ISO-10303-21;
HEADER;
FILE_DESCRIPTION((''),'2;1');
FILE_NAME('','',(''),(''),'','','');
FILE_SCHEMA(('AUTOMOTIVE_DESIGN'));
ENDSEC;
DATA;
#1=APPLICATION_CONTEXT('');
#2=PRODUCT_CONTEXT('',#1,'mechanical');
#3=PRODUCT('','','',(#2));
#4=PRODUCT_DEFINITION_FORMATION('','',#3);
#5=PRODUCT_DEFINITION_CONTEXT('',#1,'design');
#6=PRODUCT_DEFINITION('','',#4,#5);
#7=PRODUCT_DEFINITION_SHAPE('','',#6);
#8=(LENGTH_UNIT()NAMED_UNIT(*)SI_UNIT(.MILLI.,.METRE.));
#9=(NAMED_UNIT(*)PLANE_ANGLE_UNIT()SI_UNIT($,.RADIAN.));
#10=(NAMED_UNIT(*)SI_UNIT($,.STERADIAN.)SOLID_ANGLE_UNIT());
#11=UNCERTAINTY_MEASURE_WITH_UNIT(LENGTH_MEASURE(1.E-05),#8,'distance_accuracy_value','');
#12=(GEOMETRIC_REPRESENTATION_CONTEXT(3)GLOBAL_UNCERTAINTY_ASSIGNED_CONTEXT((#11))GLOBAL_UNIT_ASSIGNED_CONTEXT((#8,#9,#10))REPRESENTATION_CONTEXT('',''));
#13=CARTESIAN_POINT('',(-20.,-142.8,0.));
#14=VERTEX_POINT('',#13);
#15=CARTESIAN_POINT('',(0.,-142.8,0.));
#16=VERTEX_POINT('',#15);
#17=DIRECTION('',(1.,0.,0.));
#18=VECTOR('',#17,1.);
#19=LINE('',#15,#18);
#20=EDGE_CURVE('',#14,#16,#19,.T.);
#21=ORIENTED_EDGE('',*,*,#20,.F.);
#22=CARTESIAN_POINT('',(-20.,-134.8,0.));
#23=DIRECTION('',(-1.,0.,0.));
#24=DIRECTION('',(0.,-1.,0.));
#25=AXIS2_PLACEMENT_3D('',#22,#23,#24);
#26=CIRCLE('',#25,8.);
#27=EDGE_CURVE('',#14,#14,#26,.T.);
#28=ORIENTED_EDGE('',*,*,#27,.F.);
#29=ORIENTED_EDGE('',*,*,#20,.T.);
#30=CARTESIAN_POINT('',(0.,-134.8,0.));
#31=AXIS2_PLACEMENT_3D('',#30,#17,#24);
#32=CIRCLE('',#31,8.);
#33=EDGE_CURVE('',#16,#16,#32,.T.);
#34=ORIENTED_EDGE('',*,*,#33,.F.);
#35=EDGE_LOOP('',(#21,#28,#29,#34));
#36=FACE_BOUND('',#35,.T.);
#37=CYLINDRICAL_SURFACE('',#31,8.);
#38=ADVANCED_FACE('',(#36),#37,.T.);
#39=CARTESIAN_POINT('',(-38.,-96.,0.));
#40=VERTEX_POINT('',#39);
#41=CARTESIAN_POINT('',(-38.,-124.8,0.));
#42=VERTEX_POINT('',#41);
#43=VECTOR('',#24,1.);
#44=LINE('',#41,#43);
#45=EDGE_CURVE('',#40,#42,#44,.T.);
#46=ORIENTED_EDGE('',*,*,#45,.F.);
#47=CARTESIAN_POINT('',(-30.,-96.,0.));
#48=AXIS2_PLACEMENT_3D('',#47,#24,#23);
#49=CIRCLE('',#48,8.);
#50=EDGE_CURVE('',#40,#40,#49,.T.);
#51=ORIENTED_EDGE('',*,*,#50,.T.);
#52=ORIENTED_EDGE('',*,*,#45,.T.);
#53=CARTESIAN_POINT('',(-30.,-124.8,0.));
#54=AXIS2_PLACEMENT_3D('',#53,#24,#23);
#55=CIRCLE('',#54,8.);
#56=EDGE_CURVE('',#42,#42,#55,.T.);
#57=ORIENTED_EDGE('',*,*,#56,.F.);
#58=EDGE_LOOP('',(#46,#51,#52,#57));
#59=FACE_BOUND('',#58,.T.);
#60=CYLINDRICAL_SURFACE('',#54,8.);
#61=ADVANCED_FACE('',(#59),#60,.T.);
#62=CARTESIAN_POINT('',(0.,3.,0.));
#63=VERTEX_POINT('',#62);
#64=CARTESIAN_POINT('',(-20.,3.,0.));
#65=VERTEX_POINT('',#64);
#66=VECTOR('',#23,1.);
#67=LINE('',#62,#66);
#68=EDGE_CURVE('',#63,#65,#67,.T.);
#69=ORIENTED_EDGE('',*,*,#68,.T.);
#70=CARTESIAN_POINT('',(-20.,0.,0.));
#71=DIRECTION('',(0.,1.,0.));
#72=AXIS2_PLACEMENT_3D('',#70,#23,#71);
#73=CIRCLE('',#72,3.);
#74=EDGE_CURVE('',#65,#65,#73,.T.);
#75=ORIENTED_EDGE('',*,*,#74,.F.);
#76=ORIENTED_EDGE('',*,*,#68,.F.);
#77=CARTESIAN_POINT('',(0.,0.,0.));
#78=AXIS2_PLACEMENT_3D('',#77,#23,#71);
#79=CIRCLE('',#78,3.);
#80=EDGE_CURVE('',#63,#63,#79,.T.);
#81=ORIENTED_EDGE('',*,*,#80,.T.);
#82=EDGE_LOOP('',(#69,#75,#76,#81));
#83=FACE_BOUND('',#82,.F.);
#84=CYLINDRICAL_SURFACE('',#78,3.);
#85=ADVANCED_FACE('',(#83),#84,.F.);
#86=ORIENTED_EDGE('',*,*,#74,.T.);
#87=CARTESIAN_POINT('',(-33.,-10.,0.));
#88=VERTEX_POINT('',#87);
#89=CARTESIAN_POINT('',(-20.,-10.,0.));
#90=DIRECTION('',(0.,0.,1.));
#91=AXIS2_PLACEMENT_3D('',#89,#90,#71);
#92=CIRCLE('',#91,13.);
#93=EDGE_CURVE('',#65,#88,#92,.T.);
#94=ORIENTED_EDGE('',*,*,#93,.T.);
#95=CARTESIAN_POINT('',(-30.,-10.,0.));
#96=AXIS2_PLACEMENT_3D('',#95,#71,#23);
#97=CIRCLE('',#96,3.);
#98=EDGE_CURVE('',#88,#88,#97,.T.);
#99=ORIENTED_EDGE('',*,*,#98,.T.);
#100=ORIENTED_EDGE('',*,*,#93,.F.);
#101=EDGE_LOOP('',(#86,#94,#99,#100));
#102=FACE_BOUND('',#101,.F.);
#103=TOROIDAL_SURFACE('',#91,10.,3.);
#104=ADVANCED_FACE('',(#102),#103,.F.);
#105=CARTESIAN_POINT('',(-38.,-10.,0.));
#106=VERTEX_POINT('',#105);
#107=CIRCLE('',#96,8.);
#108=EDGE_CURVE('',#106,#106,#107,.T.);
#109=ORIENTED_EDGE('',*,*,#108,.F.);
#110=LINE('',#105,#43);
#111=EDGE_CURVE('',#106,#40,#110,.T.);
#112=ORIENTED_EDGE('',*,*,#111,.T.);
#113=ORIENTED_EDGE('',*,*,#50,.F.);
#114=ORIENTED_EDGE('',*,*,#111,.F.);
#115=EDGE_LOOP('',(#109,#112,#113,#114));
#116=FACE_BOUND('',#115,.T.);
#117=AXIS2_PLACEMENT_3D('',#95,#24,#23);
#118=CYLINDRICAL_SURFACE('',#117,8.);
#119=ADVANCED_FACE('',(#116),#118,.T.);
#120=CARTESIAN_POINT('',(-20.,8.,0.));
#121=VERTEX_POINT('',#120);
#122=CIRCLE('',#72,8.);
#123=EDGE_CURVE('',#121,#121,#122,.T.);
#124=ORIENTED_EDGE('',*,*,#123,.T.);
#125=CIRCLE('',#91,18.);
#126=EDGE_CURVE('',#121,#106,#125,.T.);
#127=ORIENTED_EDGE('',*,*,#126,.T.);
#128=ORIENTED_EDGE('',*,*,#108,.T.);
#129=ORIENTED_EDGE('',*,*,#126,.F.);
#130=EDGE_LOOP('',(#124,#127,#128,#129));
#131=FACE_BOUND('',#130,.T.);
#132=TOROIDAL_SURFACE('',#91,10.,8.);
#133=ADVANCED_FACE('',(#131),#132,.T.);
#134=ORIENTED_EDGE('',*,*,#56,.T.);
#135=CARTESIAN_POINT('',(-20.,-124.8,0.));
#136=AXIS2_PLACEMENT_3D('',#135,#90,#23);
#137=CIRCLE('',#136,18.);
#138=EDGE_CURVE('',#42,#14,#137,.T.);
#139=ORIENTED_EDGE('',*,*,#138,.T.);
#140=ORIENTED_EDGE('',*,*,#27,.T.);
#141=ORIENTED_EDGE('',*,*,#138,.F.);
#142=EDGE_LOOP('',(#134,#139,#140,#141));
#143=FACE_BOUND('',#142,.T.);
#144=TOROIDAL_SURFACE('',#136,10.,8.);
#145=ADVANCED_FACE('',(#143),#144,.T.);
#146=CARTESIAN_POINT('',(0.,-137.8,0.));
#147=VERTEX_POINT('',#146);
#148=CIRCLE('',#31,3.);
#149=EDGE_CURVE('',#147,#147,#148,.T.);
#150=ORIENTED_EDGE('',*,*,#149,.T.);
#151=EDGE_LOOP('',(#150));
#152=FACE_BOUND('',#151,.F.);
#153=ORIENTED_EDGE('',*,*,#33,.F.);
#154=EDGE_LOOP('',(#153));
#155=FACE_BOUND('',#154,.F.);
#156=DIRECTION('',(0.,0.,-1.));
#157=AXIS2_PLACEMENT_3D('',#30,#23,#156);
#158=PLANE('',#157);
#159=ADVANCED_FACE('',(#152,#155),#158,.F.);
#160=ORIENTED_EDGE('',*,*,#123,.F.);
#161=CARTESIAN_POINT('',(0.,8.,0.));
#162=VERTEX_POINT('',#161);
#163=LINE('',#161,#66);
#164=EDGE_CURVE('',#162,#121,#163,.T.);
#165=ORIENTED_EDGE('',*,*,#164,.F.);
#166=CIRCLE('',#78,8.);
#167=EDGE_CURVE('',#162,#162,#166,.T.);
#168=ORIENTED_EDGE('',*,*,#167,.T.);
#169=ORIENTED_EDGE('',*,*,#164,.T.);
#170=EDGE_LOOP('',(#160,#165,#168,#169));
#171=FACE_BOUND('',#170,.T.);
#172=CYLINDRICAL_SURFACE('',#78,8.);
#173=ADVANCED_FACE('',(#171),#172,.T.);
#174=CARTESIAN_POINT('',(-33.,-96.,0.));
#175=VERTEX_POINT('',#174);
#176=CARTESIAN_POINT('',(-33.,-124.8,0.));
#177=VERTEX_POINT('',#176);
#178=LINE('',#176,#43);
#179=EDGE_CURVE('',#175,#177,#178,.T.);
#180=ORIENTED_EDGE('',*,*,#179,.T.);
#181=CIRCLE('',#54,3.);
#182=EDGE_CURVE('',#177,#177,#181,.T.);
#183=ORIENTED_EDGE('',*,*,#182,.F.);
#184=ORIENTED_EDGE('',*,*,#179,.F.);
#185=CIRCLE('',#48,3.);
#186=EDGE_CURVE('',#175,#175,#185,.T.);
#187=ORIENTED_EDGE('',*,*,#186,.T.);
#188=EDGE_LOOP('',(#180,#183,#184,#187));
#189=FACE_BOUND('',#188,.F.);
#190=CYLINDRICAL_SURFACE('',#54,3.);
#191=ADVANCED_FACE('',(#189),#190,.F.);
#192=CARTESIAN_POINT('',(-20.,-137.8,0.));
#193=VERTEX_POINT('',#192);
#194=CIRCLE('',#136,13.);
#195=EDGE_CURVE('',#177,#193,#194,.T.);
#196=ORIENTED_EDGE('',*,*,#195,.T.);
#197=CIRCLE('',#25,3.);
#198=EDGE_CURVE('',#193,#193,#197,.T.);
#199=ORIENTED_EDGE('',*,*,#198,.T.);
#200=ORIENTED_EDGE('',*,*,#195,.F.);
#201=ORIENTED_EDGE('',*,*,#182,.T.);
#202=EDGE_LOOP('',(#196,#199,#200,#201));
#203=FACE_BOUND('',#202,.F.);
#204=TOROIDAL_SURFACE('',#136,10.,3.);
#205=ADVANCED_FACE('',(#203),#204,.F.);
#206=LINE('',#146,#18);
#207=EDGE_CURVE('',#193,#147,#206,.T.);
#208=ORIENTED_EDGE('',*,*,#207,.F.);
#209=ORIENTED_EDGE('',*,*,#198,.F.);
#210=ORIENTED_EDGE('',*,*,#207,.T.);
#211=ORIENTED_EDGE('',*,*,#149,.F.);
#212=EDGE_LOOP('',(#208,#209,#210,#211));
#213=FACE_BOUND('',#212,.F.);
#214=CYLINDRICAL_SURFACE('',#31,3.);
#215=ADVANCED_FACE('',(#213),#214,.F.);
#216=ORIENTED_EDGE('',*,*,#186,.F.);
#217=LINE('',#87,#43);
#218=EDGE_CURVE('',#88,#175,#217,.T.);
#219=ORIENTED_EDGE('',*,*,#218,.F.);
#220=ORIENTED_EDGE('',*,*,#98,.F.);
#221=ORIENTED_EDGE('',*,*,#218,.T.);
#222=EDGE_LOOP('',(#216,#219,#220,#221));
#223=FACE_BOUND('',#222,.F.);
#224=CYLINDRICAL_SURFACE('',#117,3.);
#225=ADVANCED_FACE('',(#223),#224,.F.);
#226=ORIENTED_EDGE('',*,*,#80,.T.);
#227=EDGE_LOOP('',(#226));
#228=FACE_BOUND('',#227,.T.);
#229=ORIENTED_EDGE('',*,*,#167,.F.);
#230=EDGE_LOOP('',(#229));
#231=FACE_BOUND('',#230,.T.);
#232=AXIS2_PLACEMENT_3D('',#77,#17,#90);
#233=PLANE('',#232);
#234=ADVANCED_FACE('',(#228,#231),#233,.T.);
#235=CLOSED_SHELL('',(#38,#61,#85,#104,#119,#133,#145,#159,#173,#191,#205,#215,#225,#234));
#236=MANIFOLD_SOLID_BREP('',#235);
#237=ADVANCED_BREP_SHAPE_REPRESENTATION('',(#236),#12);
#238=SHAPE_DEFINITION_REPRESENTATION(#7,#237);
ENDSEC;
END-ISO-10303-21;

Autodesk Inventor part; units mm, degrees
ref_plane "YZ Plane" through (0, 0, 0) normal (1, 0, 0) x (0, 1, 0)
ref_plane "XZ Plane" through (0, 0, 0) normal (0, 1, 0) x (-1, 0, 0)
ref_plane "XY Plane" through (0, 0, 0) normal (0, 0, 1) x (1, 0, 0)
sketch "Sketch3" plane through (0, 0, 0) normal (1, 0, 0) x (0, 1, 0)
  circle A0 centre (0, 0) radius 8
  circle A1 centre (0, 0) radius 3
  dimension "d4" = 16
  dimension "d5" = 6
sketch "Sketch4" plane through (0, 0, 0) normal (0, 0, 1) x (1, 0, 0)
  line L0 (0, 0) -> (-20, 0)
  line L1 (-30, -10) -> (-30, -96)
  arc A0 (-20, 0) -> (-30, -10) centre (-20, -10) ccw
  line L2 (0, -134.8) -> (-20, -134.8)
  line L3 (-20, -134.8) -> (-20, -134.8)
  line L4 (-30, -124.8) -> (-30, -96)
  arc A1 (-30, -124.8) -> (-20, -134.8) centre (-20, -124.8) ccw
  point P0 (-30, -106)
  point P1 (-30, -134.8)
sweep "Sweep2" add profiles "Sketch3" path "Sketch4"
equation "\"BendRadius\" = Thickness"
equation "\"BendReliefWidth\" = Thickness"
equation "\"BendReliefDepth\" = 0.5 * Thickness"
equation "\"CornerReliefSize\" = 4 * Thickness"
equation "\"MinimumRemnant\" = 2 * Thickness"
equation "\"TransitionRadius\" = BendRadius"
equation "\"JacobiRadiusSize\" = BendRadius"
equation "\"GapSize\" = Thickness"
equation "\"Thickness\" = 0.5"
properties part number "Rubber pipe turn"
